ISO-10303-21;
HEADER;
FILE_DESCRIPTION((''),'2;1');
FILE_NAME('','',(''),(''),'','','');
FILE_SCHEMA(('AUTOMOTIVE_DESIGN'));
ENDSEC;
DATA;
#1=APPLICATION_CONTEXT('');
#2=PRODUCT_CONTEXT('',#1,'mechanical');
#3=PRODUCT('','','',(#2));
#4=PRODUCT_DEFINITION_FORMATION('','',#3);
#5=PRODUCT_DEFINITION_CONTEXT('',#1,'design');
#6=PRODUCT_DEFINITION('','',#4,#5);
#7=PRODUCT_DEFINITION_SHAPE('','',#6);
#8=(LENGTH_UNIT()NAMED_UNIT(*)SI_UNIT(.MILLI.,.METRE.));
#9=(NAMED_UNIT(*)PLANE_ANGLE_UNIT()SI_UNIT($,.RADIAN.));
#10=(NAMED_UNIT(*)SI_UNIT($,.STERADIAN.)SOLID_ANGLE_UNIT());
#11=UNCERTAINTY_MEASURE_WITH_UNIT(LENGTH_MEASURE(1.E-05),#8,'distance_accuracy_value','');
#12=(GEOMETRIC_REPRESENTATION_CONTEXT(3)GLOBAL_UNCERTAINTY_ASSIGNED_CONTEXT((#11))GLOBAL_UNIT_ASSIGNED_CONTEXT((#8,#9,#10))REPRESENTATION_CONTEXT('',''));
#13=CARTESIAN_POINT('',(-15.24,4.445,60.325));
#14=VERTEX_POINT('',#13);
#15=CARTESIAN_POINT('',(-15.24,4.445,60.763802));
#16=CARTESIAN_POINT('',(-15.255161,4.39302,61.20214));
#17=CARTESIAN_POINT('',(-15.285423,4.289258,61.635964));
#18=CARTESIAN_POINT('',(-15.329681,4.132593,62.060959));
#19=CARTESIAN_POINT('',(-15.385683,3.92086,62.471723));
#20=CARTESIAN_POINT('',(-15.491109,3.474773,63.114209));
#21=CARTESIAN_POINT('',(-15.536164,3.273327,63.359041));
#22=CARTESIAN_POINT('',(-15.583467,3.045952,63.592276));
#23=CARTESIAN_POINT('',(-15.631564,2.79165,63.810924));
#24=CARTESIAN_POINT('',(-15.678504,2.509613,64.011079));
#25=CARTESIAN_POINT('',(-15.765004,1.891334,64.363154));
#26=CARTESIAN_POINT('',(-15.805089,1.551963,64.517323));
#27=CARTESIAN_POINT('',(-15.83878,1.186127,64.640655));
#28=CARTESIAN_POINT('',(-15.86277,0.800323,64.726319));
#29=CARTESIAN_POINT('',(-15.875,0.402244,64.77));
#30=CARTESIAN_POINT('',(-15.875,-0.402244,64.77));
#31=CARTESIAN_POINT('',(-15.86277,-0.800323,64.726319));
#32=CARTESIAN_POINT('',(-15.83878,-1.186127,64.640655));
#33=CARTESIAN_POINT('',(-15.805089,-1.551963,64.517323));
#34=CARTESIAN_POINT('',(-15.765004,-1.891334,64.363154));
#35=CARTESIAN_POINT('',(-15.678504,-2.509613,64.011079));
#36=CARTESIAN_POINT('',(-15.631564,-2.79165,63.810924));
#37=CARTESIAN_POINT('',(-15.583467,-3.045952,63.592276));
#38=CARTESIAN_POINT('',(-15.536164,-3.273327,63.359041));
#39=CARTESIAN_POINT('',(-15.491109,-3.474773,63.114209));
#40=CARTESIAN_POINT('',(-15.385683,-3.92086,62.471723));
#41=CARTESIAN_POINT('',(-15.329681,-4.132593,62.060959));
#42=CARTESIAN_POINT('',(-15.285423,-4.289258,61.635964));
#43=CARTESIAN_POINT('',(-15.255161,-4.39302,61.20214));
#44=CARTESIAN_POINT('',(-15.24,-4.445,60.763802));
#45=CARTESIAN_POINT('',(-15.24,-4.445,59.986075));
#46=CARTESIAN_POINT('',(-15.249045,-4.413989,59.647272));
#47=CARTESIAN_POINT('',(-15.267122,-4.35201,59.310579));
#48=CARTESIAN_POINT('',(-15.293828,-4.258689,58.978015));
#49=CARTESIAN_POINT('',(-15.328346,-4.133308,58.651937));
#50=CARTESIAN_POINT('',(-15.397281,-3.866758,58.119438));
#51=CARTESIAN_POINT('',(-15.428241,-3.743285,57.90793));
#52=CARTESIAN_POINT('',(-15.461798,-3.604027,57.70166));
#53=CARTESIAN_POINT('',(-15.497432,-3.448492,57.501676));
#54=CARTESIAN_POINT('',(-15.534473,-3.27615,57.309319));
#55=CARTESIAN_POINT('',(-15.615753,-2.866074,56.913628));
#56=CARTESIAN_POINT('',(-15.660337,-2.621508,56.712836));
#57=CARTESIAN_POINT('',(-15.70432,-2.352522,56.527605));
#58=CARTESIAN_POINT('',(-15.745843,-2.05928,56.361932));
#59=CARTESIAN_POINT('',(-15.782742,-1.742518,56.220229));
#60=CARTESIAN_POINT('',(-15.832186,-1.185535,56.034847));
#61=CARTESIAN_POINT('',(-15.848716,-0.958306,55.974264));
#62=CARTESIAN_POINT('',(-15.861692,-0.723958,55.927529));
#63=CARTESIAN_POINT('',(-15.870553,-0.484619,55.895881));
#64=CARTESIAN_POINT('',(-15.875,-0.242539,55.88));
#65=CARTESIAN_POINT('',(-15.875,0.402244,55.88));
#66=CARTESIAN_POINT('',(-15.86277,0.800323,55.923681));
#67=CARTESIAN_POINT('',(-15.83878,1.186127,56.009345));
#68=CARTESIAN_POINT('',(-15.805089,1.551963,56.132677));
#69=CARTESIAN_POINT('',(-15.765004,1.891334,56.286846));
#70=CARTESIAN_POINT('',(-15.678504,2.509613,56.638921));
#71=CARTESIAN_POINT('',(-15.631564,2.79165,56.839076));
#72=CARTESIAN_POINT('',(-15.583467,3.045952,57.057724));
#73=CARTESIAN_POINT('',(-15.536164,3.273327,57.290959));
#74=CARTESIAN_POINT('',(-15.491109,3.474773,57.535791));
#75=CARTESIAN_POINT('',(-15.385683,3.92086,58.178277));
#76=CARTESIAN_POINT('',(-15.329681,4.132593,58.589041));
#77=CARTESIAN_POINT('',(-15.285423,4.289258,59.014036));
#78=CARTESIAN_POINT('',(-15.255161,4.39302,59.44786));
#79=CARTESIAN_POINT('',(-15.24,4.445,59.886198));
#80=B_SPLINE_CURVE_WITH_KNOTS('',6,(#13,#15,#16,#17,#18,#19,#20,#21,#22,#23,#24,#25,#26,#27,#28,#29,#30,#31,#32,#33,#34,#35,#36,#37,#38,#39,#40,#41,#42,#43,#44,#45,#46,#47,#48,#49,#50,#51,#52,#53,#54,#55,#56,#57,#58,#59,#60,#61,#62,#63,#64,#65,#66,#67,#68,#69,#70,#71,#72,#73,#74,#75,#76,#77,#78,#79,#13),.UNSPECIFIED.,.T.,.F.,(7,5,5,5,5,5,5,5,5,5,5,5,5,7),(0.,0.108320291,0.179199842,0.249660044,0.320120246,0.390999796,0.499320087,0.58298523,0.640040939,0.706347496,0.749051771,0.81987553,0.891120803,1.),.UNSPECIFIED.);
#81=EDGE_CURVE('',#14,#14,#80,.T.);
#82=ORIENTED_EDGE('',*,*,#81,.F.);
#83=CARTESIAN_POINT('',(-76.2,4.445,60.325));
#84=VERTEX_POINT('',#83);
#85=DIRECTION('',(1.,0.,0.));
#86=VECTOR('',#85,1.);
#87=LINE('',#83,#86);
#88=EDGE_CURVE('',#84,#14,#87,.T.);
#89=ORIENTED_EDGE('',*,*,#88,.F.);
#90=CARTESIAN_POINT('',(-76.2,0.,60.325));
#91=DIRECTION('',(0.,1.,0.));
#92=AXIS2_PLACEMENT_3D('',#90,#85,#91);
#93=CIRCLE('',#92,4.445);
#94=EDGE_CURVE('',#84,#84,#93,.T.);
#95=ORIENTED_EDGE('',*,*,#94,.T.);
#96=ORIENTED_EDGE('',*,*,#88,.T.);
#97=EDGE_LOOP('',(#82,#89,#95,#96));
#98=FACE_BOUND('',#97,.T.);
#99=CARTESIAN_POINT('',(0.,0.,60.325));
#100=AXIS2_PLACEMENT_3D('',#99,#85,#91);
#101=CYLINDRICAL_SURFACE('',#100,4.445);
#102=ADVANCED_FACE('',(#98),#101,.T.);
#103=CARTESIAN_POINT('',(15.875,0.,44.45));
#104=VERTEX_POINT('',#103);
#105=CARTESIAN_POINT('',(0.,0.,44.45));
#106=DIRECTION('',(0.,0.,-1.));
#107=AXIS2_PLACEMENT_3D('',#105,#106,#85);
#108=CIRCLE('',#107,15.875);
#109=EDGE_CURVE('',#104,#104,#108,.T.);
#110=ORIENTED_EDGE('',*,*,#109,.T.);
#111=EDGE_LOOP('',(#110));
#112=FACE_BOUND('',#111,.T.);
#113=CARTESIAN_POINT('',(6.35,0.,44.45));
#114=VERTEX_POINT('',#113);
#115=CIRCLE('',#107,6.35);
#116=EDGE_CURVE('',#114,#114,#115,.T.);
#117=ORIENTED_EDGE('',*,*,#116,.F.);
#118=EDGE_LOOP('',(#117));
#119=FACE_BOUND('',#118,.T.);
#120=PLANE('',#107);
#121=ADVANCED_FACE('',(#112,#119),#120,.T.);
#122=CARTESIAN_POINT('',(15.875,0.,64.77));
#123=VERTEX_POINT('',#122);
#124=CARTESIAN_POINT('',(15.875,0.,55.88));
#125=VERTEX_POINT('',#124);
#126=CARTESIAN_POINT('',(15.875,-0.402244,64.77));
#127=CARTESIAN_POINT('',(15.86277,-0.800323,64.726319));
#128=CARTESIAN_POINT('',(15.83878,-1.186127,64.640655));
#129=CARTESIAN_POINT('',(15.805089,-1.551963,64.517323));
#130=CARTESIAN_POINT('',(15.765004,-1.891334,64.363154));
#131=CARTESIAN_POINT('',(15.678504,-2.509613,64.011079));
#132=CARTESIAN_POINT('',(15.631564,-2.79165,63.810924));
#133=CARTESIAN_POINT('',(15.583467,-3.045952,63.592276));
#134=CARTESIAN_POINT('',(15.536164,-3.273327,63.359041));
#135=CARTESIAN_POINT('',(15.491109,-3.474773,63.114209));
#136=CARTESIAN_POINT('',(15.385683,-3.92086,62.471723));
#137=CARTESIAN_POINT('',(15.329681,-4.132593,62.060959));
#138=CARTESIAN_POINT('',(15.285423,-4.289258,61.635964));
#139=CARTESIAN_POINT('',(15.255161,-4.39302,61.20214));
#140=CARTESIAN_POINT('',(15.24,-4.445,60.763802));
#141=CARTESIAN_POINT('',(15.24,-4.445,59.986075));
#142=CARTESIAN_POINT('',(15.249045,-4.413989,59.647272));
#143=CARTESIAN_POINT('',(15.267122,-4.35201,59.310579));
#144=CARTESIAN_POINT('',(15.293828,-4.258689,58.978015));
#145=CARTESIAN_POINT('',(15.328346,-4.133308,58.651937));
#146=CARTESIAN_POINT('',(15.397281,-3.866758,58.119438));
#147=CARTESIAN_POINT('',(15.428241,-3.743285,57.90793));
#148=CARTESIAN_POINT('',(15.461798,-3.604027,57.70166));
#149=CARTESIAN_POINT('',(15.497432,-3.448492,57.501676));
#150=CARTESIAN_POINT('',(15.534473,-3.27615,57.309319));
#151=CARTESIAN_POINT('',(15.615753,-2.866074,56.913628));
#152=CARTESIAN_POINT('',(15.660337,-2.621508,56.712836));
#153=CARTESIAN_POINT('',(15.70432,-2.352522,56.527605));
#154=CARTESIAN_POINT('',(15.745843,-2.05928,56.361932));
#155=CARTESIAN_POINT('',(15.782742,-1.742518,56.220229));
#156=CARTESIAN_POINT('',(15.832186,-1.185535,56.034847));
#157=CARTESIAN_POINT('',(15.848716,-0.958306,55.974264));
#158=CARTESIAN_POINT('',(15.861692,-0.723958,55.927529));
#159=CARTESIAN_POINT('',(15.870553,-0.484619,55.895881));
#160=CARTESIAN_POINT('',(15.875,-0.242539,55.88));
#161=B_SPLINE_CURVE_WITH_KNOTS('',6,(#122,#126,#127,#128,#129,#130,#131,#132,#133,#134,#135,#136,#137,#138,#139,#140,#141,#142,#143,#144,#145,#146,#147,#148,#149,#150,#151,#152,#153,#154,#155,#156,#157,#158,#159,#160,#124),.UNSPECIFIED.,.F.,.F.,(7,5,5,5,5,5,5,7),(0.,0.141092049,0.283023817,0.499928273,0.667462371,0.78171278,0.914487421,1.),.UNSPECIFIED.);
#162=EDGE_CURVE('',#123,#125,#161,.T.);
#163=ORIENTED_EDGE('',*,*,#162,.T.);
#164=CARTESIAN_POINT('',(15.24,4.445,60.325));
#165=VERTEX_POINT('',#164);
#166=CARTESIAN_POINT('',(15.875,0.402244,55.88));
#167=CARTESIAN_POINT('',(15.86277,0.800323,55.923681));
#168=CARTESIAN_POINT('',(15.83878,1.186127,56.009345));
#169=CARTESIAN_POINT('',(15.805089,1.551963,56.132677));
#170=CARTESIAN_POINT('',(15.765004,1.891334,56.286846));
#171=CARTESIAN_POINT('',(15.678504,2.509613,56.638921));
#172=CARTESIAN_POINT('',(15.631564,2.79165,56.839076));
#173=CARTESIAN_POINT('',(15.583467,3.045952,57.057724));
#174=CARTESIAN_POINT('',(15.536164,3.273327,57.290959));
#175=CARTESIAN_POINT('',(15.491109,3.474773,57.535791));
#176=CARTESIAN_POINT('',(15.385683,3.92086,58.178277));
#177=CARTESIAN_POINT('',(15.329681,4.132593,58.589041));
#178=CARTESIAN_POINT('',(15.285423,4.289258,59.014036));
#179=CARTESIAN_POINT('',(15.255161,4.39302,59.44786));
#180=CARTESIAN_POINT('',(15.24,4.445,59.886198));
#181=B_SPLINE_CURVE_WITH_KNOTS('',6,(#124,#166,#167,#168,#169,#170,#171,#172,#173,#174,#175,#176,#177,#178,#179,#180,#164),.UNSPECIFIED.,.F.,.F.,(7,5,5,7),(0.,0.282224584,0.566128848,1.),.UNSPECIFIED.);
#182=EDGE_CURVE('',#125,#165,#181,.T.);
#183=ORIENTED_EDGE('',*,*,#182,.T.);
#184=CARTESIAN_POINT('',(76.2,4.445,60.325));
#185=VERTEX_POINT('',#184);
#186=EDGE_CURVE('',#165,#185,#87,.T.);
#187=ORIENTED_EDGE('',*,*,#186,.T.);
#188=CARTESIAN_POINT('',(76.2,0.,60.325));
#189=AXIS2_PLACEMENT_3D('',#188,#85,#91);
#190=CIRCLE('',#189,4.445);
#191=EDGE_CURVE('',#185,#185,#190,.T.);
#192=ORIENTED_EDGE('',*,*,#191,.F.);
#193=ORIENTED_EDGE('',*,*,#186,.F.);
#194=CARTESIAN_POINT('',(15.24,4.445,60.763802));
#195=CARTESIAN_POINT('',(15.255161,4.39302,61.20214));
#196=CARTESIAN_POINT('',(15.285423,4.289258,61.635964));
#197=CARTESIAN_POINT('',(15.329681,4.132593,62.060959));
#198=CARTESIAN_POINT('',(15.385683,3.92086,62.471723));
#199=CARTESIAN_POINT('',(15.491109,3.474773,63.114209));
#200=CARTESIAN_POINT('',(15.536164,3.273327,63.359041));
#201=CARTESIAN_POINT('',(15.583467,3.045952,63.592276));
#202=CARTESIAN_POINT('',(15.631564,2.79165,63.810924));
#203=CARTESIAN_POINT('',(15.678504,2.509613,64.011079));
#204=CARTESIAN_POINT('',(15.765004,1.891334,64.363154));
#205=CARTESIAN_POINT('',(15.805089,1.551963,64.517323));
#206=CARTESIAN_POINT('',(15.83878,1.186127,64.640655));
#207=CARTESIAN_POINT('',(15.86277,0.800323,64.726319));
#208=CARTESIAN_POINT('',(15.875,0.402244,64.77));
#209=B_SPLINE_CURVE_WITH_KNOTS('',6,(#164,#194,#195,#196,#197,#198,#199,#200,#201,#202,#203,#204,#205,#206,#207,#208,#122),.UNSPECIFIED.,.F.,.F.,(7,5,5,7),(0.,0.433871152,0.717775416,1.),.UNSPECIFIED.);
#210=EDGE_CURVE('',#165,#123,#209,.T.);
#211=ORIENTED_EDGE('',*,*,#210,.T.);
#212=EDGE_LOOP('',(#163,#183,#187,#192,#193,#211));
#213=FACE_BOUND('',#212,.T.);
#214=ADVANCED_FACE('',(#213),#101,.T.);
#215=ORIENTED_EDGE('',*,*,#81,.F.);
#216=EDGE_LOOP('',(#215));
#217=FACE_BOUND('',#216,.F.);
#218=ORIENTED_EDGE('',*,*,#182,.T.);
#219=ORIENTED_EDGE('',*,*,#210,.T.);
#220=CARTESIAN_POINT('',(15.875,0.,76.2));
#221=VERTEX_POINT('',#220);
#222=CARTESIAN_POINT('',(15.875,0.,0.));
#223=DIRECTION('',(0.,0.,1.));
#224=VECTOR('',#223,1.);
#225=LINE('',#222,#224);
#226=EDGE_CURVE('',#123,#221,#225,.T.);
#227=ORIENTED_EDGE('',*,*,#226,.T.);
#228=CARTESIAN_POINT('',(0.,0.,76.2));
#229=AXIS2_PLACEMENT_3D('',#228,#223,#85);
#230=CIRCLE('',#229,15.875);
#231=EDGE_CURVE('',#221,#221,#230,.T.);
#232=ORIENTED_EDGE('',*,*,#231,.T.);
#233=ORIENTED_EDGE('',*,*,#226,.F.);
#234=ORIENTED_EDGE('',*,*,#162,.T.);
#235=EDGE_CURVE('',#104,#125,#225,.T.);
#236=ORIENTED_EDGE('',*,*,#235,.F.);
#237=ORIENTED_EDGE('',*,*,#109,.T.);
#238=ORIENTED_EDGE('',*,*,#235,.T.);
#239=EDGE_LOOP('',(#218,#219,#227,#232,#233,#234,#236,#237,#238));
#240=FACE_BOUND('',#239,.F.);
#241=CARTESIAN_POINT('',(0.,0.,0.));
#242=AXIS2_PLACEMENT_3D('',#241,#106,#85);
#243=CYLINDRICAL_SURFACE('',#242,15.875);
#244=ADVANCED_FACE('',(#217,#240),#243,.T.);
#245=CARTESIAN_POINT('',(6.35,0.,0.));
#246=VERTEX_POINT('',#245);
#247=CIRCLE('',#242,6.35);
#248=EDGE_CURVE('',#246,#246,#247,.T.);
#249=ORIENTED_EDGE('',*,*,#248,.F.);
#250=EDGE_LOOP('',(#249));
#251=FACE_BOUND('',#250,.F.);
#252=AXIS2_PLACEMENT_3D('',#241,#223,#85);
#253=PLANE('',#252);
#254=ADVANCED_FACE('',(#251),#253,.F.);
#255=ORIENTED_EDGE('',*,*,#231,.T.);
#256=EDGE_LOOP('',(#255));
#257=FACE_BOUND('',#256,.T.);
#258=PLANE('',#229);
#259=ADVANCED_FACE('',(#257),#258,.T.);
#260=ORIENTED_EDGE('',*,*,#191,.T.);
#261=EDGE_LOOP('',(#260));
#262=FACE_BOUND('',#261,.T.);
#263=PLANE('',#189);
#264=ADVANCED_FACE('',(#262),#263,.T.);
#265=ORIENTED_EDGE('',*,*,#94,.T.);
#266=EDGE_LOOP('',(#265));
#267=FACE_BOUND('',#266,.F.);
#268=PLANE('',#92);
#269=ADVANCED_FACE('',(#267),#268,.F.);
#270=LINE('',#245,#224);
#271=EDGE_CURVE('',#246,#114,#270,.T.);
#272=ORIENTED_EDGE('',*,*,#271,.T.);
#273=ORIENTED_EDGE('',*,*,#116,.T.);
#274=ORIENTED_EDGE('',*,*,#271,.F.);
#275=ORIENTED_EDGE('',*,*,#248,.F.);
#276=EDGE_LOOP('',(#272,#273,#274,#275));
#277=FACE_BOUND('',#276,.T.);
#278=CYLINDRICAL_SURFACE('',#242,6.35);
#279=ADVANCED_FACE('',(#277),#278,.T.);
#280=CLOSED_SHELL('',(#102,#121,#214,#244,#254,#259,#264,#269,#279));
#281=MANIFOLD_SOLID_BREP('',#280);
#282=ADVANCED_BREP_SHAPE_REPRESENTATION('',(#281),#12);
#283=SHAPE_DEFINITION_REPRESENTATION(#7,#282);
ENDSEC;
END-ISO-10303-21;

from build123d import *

# Parameters (mm, degrees)
F0_R     = 15.875
F1_DEPTH = 76.2
F2_R     = 15.875
F2_R_2   = 6.35
F3_DEPTH = 44.45
F4_R     = 4.445
F5_DEPTH = 76.2


with BuildPart() as f1:
    # F0 (on Top) → F1 (new body)
    with BuildSketch(Plane.XY):
        Circle(F0_R)
    extrude(amount=F1_DEPTH)

    # F2 (on face) → F3 (cut)
    with BuildSketch(Plane(origin=(0, 0, 0), x_dir=(1, 0, 0), z_dir=(0, 0, -1))):
        Circle(F2_R)
        Circle(F2_R_2, mode=Mode.SUBTRACT)
    extrude(amount=-F3_DEPTH, mode=Mode.SUBTRACT)

    # F4 (on Right) → F5 (join, symmetric)
    with BuildSketch(Plane.YZ):
        with Locations((0, 60.325)):
            Circle(F4_R)
    extrude(amount=F5_DEPTH, both=True)


solid = f1.part
